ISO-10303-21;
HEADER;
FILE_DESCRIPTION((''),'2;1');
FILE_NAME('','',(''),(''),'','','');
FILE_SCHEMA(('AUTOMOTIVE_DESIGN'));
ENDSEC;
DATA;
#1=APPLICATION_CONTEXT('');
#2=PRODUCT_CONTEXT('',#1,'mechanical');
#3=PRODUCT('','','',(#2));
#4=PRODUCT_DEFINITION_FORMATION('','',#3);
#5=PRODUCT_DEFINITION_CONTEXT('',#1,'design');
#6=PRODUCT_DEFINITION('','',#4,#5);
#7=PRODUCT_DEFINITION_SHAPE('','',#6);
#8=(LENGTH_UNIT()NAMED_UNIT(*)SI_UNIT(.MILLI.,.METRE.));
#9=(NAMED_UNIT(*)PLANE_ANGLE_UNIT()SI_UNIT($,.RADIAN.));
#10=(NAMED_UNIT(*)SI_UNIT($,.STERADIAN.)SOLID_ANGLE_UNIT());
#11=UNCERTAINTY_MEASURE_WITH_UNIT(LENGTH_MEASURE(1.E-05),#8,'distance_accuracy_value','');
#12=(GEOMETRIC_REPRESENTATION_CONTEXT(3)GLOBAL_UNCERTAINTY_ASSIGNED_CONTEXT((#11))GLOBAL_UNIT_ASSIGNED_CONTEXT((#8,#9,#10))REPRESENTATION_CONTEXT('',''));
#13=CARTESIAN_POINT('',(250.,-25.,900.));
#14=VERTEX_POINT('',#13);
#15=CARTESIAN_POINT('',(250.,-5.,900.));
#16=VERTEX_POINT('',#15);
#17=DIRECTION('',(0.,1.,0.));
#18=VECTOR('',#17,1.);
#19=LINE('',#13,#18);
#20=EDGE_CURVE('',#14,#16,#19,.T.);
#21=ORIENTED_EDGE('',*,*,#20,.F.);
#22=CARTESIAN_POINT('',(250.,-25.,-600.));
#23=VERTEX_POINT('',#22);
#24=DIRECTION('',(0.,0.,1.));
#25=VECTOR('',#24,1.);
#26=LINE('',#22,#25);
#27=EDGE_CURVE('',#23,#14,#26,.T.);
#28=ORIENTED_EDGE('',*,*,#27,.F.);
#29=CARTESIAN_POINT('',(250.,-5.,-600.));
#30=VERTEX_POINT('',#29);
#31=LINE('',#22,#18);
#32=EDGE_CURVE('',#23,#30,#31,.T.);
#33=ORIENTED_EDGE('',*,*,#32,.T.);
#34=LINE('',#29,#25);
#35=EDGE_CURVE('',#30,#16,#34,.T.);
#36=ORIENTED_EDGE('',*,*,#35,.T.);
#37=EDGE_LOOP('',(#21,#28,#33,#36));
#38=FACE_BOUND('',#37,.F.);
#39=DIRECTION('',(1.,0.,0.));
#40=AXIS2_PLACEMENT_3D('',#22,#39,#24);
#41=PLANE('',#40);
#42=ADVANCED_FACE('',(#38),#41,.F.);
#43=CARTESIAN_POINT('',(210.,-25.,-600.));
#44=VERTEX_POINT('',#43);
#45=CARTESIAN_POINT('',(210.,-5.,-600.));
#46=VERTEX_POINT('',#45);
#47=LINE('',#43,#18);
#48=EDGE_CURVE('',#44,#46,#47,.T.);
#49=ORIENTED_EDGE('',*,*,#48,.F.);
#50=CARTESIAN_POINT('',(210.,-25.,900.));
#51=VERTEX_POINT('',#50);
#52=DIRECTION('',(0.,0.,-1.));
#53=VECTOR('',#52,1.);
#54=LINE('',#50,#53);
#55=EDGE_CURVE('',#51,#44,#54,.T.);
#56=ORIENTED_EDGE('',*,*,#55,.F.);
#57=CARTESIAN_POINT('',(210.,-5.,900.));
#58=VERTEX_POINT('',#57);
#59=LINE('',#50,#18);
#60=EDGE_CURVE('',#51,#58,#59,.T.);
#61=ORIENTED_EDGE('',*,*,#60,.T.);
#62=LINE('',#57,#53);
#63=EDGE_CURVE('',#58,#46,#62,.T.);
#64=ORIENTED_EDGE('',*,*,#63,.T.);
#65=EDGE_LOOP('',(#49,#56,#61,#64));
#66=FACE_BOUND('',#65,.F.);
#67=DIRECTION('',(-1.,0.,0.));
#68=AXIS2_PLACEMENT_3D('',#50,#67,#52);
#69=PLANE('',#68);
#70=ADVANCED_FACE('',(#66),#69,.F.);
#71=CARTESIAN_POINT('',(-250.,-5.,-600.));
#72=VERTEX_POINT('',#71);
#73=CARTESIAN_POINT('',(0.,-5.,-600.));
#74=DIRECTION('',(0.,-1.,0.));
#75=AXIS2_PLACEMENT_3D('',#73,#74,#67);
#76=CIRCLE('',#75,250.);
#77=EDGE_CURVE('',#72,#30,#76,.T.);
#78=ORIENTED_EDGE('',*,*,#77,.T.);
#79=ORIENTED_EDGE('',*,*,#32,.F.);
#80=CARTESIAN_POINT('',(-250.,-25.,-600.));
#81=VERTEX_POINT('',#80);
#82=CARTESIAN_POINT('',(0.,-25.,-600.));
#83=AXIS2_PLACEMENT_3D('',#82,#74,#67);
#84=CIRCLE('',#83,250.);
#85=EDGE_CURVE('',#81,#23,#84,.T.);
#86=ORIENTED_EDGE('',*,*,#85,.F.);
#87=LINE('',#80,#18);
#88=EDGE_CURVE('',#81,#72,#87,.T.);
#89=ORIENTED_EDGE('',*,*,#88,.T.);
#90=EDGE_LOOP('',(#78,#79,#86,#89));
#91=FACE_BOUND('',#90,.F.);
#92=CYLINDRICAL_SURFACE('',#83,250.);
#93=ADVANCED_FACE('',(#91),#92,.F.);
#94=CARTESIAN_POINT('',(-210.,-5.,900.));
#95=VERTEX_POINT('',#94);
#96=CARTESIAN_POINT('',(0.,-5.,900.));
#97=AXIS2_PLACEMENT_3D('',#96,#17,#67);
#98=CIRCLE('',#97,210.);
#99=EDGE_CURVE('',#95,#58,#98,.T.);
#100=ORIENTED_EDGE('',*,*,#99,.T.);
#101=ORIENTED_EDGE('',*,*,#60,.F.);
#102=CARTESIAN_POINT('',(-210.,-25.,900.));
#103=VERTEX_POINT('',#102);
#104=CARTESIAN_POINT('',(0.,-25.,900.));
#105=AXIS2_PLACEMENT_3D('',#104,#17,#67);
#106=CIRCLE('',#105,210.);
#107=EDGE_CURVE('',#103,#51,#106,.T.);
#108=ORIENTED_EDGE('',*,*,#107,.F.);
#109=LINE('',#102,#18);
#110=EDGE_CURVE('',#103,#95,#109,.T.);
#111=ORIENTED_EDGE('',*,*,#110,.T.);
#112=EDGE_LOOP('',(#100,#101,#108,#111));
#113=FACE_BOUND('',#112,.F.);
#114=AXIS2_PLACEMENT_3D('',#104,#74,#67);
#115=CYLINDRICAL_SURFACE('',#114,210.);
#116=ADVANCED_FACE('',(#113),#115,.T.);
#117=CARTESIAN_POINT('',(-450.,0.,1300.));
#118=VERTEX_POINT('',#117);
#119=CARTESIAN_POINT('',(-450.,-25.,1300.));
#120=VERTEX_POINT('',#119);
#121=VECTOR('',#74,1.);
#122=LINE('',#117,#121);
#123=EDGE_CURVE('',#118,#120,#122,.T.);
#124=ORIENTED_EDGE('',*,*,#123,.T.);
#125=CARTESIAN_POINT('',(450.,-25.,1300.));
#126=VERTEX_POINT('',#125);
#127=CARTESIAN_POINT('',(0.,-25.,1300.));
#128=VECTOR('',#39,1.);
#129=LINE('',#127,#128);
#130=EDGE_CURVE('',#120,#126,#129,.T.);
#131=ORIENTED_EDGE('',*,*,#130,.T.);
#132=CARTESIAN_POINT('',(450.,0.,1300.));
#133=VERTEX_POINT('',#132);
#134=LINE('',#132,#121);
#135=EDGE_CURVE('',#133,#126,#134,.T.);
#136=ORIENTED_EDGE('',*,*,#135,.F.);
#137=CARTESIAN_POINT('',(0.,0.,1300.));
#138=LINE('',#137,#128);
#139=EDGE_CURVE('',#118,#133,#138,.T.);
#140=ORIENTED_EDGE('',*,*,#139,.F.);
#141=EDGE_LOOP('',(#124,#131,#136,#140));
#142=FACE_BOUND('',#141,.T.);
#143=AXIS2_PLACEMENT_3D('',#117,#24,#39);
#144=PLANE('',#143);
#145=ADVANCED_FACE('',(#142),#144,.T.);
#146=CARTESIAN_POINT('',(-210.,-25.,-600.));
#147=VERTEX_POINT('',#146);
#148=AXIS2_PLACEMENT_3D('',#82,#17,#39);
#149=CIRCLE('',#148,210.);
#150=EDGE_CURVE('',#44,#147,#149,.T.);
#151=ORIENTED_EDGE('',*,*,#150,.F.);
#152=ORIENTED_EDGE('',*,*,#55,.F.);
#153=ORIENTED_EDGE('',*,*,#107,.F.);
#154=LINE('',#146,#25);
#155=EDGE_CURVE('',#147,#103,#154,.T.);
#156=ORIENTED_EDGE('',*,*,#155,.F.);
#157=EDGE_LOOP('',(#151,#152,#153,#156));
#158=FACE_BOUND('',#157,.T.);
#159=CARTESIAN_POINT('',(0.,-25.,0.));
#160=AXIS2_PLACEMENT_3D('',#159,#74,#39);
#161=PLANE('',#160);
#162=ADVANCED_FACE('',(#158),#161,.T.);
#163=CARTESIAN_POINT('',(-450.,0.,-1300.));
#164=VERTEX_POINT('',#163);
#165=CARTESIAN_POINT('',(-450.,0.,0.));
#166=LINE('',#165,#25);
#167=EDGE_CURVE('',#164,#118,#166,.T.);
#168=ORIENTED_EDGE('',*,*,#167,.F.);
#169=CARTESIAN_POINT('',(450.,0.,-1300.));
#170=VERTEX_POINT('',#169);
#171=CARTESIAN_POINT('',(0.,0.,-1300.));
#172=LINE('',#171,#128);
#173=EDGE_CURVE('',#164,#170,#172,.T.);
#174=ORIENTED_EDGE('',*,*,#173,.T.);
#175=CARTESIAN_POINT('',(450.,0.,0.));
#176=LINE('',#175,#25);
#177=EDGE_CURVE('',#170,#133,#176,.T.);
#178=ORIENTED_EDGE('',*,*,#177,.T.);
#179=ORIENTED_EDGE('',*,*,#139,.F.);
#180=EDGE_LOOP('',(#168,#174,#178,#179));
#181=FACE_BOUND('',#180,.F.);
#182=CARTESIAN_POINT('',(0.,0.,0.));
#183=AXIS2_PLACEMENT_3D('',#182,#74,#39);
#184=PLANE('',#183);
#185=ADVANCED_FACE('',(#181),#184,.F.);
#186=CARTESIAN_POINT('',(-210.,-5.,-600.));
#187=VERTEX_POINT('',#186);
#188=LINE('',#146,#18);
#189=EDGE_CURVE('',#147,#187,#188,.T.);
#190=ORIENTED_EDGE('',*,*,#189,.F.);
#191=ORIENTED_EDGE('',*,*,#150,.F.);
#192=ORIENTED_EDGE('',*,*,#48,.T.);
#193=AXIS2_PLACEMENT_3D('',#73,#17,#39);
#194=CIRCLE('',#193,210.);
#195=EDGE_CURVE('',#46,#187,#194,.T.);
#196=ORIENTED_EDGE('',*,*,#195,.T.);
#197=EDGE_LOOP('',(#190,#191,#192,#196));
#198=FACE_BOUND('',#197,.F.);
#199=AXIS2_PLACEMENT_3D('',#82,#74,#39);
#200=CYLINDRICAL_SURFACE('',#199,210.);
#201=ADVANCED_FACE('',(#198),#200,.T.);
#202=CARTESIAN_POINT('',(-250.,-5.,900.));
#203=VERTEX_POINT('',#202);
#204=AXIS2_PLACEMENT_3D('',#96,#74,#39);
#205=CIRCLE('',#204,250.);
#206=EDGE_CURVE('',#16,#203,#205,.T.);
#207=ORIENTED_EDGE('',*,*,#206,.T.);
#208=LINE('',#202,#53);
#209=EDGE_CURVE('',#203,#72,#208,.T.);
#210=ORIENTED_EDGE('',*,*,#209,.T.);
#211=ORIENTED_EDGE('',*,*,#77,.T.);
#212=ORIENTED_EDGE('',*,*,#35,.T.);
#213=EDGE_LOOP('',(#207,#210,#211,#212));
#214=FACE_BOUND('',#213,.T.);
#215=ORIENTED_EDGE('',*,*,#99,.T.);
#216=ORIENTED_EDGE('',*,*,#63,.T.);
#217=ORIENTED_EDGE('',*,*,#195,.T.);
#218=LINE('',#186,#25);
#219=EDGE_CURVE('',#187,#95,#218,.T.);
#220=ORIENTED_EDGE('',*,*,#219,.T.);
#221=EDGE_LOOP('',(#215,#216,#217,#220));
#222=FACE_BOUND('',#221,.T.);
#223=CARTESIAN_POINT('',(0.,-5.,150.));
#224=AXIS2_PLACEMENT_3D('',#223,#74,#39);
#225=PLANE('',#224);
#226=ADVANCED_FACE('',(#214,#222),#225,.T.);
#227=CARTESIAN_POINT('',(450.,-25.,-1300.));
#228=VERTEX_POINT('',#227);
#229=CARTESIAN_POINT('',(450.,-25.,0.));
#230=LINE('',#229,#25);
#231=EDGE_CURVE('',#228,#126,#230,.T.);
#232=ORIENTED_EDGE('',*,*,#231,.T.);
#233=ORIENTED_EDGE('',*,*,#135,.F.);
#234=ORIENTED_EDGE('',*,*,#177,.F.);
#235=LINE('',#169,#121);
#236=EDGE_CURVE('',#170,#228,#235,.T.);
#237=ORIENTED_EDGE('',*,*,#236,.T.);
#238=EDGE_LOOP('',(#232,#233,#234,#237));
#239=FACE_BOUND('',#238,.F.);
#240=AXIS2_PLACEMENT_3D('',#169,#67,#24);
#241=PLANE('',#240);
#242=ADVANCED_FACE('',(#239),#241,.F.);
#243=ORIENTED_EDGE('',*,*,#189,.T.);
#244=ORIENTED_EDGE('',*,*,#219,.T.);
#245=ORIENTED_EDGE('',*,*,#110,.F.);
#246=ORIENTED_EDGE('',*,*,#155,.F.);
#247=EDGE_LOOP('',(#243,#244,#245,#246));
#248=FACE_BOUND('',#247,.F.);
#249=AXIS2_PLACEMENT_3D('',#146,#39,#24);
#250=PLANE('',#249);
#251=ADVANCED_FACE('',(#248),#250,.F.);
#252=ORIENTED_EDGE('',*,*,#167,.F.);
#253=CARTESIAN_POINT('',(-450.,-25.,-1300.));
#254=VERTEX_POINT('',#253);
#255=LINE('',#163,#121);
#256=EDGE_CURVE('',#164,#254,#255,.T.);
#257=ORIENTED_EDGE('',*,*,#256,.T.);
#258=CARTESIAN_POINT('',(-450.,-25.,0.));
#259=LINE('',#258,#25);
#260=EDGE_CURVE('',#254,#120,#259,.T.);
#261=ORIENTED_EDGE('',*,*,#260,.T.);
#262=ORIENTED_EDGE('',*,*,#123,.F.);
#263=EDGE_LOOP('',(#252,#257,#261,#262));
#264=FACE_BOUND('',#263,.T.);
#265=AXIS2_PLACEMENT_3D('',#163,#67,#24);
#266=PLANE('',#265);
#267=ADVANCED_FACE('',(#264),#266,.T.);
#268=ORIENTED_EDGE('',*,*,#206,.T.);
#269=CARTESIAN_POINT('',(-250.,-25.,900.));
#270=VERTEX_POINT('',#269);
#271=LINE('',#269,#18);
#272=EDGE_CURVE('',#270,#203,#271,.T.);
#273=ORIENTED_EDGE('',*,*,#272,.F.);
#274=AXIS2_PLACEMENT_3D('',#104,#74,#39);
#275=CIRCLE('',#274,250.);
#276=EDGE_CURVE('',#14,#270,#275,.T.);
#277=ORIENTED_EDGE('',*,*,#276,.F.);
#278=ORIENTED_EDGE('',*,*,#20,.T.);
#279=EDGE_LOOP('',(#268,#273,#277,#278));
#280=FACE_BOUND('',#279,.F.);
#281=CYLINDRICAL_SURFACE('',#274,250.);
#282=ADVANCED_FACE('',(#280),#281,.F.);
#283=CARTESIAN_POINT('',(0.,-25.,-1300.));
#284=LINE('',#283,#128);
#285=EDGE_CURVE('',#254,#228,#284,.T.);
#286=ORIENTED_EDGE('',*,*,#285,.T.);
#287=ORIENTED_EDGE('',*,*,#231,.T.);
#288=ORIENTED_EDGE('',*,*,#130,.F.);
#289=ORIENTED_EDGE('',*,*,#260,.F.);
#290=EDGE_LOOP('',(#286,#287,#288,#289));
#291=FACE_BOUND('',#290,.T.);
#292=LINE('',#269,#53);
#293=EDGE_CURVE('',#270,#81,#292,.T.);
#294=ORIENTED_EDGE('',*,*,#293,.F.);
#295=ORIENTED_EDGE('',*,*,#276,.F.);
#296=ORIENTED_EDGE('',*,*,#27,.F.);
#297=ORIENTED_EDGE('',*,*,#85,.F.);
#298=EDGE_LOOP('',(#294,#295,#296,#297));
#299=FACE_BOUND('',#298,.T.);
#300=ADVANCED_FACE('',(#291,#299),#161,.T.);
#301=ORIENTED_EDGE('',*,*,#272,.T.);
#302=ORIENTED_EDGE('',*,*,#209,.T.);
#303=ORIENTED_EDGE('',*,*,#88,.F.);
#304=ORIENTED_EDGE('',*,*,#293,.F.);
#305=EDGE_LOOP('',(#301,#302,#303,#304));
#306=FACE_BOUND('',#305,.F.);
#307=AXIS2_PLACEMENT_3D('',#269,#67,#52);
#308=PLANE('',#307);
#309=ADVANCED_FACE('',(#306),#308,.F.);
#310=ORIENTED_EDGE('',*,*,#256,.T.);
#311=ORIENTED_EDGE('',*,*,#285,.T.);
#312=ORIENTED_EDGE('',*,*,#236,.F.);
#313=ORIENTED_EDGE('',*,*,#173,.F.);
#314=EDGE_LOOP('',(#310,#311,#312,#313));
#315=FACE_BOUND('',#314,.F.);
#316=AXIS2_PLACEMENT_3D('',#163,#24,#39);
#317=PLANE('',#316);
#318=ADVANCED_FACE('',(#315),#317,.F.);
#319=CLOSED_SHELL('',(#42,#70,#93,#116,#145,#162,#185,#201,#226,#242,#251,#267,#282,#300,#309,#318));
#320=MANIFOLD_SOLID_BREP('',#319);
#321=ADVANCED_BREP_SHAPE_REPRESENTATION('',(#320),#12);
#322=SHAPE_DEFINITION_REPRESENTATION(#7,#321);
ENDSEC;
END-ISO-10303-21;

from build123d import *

# Parameters (mm, degrees)
F0_W     = 900
F0_H     = 2600
F1_DEPTH = 25
F3_DEPTH = 20


with BuildPart() as f1:
    # F0 (on Front) → F1 (new body)
    with BuildSketch(Plane.XZ):
        Rectangle(F0_W, F0_H)
    extrude(amount=F1_DEPTH)

    # F2 (on face) → F3 (cut)
    with BuildSketch(Plane.XZ.offset(25)):
        with BuildLine():
            Line((250, -600), (250, 900))
            ThreePointArc((250, 900), (0, 1150), (-250, 900))
            Line((-250, 900), (-250, -600))
            ThreePointArc((-250, -600), (0, -850), (250, -600))
        make_face()
        with BuildLine():
            ThreePointArc((-210, 900), (0, 1110), (210, 900))
            Line((210, 900), (210, -600))
            ThreePointArc((210, -600), (0, -810), (-210, -600))
            Line((-210, -600), (-210, 900))
        make_face(mode=Mode.SUBTRACT)
    extrude(amount=-F3_DEPTH, mode=Mode.SUBTRACT)


solid = f1.part
